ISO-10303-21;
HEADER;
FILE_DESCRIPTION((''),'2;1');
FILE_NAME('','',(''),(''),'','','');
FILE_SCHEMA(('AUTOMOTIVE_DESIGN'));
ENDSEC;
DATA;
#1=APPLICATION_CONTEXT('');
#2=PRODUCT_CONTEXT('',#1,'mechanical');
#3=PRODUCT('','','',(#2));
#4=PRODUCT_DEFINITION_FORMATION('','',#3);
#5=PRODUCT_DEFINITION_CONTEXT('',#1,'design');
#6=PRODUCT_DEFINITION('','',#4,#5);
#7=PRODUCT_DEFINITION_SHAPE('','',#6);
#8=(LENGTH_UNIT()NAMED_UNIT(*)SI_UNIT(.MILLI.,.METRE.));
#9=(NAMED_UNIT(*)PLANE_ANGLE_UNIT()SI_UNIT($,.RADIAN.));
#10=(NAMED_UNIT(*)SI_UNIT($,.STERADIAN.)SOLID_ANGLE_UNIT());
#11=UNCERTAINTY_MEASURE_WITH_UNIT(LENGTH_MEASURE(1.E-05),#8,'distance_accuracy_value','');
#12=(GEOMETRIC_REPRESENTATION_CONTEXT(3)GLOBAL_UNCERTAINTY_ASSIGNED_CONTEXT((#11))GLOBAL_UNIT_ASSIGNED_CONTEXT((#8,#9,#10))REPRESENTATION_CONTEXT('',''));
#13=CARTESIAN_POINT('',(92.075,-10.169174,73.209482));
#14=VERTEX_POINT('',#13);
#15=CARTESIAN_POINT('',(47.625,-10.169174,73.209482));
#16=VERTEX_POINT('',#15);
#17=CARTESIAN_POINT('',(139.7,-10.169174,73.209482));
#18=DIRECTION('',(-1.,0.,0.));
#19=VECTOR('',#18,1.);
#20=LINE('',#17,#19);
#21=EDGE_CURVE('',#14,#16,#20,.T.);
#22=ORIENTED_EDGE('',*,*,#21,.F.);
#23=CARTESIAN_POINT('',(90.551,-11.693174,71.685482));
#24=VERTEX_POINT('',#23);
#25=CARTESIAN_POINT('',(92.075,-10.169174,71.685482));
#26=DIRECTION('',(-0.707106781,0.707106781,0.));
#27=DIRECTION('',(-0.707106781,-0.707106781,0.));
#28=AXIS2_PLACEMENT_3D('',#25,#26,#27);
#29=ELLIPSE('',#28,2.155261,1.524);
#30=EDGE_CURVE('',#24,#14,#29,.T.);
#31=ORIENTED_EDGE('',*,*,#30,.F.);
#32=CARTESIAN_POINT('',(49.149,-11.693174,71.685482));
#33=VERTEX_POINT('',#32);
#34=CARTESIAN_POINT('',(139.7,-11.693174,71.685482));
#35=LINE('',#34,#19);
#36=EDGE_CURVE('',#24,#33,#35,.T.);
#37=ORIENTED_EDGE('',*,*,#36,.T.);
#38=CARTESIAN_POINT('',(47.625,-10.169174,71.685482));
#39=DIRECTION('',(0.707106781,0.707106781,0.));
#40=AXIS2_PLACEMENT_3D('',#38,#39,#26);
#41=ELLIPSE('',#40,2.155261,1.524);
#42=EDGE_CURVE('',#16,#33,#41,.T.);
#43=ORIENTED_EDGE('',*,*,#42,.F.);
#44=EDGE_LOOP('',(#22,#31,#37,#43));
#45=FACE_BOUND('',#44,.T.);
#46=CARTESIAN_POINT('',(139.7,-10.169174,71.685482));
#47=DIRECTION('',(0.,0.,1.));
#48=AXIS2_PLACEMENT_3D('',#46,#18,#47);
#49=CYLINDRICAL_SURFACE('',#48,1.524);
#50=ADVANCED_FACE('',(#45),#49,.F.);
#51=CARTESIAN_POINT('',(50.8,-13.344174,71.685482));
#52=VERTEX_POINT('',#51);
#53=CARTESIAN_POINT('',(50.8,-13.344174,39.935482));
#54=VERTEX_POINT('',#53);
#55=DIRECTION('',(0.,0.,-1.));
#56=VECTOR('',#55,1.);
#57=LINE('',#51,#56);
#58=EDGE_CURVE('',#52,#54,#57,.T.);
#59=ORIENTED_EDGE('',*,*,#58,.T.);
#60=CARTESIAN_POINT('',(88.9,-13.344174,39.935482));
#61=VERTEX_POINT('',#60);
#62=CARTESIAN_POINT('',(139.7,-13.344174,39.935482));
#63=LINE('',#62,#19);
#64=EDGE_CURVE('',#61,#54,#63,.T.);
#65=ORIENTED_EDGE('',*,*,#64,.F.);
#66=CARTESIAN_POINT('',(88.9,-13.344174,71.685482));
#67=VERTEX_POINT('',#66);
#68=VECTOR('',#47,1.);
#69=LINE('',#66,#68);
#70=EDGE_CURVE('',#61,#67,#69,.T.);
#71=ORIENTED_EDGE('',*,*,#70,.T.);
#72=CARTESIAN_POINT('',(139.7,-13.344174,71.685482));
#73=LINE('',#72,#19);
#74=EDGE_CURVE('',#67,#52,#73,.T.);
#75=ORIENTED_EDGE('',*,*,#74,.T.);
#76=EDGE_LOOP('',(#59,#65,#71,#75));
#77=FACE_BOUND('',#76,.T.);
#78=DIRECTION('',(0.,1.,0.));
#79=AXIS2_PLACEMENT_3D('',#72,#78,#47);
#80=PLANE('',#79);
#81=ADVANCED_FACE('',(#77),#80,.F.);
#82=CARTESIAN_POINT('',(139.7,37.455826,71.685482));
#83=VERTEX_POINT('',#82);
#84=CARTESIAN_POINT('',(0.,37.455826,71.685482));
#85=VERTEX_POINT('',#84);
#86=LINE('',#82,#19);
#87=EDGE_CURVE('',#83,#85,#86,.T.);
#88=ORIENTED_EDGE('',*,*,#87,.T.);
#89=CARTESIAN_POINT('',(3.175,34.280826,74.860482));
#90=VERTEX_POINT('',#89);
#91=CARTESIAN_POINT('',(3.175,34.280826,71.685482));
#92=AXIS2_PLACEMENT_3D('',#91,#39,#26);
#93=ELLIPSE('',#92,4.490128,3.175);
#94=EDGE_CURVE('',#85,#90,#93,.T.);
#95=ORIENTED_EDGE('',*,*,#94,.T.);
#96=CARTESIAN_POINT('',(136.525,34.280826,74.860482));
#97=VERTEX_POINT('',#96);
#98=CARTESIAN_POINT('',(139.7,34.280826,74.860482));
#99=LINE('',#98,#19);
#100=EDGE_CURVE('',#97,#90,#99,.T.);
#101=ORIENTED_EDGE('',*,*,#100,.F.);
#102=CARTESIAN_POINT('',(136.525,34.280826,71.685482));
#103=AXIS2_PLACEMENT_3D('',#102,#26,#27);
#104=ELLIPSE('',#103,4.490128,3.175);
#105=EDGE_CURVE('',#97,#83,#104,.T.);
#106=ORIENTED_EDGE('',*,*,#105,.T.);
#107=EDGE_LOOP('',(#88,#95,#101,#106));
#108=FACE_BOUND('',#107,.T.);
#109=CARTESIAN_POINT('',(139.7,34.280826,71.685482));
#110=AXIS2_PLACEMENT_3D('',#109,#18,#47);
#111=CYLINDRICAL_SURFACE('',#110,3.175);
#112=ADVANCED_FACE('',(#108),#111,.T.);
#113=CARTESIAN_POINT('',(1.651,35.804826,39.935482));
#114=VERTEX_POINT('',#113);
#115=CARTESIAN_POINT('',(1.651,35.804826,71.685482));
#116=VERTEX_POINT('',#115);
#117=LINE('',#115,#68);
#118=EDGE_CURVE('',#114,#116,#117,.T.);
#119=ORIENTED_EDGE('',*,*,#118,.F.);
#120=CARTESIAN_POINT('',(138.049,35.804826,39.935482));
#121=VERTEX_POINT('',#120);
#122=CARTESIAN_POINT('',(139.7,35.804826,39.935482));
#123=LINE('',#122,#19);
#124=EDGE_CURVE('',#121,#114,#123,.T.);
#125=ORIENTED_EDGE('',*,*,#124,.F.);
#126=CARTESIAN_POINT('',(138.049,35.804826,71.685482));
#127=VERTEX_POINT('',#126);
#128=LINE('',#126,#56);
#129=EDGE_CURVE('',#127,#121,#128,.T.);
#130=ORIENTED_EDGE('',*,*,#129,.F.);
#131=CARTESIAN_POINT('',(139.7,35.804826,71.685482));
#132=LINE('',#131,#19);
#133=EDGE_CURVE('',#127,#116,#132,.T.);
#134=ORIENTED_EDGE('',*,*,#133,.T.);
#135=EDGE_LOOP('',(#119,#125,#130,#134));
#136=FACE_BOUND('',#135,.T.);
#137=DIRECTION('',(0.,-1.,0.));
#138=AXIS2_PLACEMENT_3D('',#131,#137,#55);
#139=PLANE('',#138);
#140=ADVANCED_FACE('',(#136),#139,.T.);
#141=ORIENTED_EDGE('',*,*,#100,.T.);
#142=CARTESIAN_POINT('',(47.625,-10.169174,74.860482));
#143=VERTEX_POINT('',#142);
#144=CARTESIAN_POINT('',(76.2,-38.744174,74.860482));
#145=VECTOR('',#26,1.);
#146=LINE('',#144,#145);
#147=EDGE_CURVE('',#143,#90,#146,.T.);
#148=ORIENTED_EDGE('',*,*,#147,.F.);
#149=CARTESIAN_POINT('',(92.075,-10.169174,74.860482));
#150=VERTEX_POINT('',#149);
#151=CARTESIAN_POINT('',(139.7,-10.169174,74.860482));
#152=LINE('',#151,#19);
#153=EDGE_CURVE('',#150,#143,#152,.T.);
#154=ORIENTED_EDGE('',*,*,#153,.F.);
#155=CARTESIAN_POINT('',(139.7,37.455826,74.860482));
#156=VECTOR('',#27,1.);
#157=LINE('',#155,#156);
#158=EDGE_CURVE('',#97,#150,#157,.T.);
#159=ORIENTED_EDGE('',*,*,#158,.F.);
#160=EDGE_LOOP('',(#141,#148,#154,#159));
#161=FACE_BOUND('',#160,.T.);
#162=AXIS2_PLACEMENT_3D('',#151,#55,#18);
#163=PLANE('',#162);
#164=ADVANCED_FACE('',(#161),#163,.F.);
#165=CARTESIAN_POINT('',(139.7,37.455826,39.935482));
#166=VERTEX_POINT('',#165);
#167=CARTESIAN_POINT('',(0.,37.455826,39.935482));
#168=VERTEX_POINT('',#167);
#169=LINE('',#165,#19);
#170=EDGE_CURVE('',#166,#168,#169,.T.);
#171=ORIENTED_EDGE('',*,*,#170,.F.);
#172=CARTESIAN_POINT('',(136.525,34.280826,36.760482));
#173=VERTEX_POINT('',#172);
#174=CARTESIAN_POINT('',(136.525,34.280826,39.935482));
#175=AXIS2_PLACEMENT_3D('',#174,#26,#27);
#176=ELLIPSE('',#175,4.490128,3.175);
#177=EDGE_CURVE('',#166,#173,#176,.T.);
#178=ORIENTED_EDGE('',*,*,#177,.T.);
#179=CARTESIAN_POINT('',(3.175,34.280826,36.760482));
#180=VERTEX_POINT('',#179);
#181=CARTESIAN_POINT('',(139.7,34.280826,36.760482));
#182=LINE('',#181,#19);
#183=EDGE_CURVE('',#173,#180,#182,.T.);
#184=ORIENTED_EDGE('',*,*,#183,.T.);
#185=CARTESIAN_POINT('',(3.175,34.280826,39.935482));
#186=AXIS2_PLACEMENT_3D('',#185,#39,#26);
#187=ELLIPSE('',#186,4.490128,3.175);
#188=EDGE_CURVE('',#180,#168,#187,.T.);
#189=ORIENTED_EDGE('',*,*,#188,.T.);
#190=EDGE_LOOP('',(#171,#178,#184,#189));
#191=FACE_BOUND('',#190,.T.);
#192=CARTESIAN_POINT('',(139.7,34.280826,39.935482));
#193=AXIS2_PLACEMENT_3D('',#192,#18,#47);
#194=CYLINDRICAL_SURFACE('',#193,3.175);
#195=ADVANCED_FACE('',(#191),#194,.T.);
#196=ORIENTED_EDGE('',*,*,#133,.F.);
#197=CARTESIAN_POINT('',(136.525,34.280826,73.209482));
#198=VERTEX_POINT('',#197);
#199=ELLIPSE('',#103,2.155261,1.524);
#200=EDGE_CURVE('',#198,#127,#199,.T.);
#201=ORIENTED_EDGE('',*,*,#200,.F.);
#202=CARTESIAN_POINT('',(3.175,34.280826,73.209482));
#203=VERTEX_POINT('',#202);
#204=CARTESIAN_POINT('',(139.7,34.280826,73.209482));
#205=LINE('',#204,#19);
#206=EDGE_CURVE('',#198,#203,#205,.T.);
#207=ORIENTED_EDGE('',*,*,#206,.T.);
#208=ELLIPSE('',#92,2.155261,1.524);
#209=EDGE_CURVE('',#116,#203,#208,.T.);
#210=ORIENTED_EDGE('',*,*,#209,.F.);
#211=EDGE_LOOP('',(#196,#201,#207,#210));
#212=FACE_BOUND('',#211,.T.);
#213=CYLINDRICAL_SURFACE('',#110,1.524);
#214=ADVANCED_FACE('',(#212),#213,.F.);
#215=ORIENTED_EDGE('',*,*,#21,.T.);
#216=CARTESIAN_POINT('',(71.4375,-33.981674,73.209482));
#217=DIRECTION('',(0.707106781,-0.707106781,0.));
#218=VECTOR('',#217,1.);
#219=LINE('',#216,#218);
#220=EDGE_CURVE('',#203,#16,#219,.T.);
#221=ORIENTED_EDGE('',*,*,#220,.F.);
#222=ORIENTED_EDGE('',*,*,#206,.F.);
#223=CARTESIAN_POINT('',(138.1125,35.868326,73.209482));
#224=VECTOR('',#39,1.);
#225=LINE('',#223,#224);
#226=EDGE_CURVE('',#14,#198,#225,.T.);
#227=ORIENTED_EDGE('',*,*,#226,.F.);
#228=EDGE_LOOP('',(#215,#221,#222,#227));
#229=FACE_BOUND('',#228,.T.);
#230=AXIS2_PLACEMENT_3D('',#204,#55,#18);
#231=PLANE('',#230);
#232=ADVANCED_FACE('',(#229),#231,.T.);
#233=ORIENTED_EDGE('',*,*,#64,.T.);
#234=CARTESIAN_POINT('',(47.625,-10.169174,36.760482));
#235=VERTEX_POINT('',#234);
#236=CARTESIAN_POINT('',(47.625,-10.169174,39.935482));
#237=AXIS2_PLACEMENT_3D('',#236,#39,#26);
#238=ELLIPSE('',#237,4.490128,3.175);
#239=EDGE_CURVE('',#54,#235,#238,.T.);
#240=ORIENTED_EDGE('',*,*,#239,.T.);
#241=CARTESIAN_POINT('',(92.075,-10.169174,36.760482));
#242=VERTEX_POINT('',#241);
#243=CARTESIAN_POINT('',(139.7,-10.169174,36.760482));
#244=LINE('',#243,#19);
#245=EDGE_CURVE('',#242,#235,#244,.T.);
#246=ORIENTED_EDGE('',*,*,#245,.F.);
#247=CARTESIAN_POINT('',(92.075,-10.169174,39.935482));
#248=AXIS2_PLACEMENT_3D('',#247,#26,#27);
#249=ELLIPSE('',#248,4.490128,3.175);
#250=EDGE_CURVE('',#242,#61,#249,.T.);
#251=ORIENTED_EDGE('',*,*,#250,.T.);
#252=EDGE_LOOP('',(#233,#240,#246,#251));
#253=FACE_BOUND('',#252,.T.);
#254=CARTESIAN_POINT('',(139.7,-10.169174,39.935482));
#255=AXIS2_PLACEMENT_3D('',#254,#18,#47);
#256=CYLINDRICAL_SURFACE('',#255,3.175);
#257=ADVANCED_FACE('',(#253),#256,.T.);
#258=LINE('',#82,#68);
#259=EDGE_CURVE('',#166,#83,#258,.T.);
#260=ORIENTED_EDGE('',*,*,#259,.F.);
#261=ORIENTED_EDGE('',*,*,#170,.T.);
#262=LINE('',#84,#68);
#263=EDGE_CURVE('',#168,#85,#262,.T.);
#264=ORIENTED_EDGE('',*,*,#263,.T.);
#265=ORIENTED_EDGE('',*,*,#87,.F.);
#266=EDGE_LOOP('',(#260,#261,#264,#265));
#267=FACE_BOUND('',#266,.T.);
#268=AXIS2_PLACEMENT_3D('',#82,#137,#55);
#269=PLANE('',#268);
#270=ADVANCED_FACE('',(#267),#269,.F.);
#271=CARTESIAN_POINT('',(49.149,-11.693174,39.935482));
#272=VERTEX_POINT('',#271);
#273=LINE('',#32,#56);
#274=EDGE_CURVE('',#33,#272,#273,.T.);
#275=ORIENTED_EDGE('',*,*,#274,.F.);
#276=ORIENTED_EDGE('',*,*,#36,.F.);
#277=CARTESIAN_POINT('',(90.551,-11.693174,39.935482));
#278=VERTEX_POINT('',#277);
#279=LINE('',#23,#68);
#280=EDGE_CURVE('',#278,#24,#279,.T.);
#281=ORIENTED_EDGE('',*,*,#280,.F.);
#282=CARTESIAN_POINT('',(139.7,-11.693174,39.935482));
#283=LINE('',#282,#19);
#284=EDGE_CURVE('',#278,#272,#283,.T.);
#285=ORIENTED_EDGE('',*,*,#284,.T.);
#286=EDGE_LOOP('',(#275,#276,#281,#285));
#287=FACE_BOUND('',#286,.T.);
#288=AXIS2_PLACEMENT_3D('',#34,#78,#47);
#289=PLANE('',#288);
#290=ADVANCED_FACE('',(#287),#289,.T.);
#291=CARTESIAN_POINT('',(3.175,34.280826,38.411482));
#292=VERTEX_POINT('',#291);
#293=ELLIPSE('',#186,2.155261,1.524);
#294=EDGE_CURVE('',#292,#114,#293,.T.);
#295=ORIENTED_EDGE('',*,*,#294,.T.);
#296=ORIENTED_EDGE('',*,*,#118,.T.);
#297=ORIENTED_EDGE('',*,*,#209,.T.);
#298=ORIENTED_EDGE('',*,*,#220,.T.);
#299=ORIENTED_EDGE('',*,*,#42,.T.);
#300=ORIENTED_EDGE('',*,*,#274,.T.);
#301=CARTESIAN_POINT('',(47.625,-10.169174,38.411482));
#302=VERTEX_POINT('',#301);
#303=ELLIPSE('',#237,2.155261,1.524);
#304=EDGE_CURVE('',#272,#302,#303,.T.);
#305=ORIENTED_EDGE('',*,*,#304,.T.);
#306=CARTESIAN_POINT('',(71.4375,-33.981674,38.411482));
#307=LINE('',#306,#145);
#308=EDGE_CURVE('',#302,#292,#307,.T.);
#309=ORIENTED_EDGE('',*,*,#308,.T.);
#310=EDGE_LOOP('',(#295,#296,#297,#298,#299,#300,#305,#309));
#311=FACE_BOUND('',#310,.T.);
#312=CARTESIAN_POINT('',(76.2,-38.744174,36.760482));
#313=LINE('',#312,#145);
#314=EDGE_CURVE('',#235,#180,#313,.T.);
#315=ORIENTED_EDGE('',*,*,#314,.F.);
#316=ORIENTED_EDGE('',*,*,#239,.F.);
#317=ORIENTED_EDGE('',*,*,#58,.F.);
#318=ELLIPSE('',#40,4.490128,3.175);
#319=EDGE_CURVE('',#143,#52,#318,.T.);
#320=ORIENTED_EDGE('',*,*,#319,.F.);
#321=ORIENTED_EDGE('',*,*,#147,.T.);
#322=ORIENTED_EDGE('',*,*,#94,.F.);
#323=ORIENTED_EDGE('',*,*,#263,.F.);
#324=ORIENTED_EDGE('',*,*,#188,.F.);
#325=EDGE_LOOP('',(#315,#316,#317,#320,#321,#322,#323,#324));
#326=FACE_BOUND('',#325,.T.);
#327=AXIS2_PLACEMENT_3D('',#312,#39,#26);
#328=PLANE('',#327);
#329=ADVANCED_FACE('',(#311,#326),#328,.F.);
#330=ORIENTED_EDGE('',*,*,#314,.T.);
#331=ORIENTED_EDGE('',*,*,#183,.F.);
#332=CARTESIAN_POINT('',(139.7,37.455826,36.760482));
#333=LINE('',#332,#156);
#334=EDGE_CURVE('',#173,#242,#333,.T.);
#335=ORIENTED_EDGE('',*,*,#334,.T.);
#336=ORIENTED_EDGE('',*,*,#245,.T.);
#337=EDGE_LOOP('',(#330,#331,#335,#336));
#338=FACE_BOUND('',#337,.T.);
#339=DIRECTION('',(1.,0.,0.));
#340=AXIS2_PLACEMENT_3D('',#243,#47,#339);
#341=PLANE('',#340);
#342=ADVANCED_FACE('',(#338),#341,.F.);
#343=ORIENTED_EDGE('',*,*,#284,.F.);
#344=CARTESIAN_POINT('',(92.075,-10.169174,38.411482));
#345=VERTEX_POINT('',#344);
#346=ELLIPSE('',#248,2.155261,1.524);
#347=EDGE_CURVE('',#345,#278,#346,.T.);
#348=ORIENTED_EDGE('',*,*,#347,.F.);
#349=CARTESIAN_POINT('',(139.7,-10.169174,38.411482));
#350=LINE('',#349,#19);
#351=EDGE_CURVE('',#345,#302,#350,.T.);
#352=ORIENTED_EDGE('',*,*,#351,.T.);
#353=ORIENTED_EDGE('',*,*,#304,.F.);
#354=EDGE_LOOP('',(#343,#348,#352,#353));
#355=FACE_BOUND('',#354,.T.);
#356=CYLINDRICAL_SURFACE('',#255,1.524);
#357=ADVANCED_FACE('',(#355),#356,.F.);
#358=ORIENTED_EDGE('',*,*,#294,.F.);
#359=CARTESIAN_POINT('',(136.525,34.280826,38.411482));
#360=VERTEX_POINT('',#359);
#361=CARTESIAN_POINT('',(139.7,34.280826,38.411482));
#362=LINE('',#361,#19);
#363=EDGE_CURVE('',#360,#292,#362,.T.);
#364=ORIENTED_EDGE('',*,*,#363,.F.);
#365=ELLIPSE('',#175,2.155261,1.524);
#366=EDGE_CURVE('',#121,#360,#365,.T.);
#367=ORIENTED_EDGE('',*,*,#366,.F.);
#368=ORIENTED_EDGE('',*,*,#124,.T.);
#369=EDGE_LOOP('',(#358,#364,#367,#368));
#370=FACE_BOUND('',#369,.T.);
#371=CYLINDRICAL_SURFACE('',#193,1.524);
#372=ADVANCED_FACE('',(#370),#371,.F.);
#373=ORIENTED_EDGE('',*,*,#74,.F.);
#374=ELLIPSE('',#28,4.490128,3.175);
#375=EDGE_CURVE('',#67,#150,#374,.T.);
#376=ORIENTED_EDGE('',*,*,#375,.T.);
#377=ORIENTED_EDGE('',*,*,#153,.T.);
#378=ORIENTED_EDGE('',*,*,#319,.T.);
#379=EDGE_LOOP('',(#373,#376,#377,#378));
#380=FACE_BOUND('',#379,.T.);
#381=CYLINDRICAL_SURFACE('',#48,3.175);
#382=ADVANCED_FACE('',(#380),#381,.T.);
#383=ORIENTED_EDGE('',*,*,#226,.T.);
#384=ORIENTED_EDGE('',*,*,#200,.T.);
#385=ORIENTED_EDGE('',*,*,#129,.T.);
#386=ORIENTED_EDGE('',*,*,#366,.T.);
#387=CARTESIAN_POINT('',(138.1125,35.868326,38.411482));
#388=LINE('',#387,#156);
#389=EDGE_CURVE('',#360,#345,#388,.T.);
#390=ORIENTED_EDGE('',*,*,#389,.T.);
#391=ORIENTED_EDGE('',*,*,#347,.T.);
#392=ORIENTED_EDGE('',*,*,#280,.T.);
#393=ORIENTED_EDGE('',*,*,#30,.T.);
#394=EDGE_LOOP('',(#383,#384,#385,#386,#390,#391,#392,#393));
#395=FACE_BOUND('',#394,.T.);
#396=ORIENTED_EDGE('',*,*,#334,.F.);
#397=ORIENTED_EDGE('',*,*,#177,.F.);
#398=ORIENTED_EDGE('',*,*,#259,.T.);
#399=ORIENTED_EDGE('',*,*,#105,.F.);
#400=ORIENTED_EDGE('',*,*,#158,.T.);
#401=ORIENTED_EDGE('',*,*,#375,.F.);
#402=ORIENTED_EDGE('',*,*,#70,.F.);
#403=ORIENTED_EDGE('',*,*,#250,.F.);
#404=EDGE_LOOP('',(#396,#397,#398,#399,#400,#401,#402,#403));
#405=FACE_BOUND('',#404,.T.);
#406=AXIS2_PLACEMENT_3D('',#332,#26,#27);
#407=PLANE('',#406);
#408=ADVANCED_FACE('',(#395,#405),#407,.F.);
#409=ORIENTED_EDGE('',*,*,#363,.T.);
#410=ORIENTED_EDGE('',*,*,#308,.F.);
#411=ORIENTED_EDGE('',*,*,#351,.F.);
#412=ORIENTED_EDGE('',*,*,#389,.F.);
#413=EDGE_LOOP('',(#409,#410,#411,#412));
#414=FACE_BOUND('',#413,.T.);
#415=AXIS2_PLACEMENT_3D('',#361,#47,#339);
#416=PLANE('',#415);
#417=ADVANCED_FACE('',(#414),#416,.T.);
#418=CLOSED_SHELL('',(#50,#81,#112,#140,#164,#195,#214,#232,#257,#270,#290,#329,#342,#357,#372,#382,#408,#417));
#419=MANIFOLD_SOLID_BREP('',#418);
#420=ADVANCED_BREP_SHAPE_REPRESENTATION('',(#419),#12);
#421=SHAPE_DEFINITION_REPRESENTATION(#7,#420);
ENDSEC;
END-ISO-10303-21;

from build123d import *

# Parameters (mm, degrees)
EXTRUDE_THIN2_DEPTH = 139.7
CUT_EXTRUDE1_DEPTH  = 150.568174674


with BuildPart() as part:
    # Sketch1 → Extrude-Thin2 (new body)
    with BuildSketch(Plane(origin=(0, 0, 0), x_dir=(0, 0, -1), z_dir=(1, 0, 0))):
        with BuildLine():
            Line((-39.935482404, 37.455825651), (-71.685482404, 37.455825651))
            ThreePointArc((-71.685482404, 37.455825651), (-73.930546435, 36.525889681), (-74.860482404, 34.280825651))
            Line((-74.860482404, 34.280825651), (-74.860482404, -10.169174349))
            ThreePointArc((-74.860482404, -10.169174349), (-73.930546435, -12.414238379), (-71.685482404, -13.344174349))
            Line((-71.685482404, -13.344174349), (-39.935482404, -13.344174349))
            ThreePointArc((-39.935482404, -13.344174349), (-37.690418374, -12.414238379), (-36.760482404, -10.169174349))
            Line((-36.760482404, -10.169174349), (-36.760482404, 34.280825651))
            ThreePointArc((-36.760482404, 34.280825651), (-37.690418374, 36.525889681), (-39.935482404, 37.455825651))
        make_face()
        with BuildLine():
            Line((-39.935482404, 35.804825651), (-71.685482404, 35.804825651))
            ThreePointArc((-71.685482404, 35.804825651), (-72.763113139, 35.358456386), (-73.209482404, 34.280825651))
            Line((-73.209482404, 34.280825651), (-73.209482404, -10.169174349))
            ThreePointArc((-73.209482404, -10.169174349), (-72.763113139, -11.246805083), (-71.685482404, -11.693174349))
            Line((-71.685482404, -11.693174349), (-39.935482404, -11.693174349))
            ThreePointArc((-39.935482404, -11.693174349), (-38.85785167, -11.246805083), (-38.411482404, -10.169174349))
            Line((-38.411482404, -10.169174349), (-38.411482404, 34.280825651))
            ThreePointArc((-38.411482404, 34.280825651), (-38.85785167, 35.358456386), (-39.935482404, 35.804825651))
        make_face(mode=Mode.SUBTRACT)
    extrude(amount=EXTRUDE_THIN2_DEPTH)

    # Sketch3 → Cut-Extrude1 (cut, through all)
    with BuildSketch(Plane.XY.offset(74.860482404)):
        Polygon((0, 37.455825651), (0, -38.744174349), (76.2, -38.744174349), align=None)
        Polygon((139.7, 37.455825651), (81.28, -20.964174349), (139.7, -20.964174349), align=None)
    extrude(amount=-CUT_EXTRUDE1_DEPTH, mode=Mode.SUBTRACT)


solid = part.part
